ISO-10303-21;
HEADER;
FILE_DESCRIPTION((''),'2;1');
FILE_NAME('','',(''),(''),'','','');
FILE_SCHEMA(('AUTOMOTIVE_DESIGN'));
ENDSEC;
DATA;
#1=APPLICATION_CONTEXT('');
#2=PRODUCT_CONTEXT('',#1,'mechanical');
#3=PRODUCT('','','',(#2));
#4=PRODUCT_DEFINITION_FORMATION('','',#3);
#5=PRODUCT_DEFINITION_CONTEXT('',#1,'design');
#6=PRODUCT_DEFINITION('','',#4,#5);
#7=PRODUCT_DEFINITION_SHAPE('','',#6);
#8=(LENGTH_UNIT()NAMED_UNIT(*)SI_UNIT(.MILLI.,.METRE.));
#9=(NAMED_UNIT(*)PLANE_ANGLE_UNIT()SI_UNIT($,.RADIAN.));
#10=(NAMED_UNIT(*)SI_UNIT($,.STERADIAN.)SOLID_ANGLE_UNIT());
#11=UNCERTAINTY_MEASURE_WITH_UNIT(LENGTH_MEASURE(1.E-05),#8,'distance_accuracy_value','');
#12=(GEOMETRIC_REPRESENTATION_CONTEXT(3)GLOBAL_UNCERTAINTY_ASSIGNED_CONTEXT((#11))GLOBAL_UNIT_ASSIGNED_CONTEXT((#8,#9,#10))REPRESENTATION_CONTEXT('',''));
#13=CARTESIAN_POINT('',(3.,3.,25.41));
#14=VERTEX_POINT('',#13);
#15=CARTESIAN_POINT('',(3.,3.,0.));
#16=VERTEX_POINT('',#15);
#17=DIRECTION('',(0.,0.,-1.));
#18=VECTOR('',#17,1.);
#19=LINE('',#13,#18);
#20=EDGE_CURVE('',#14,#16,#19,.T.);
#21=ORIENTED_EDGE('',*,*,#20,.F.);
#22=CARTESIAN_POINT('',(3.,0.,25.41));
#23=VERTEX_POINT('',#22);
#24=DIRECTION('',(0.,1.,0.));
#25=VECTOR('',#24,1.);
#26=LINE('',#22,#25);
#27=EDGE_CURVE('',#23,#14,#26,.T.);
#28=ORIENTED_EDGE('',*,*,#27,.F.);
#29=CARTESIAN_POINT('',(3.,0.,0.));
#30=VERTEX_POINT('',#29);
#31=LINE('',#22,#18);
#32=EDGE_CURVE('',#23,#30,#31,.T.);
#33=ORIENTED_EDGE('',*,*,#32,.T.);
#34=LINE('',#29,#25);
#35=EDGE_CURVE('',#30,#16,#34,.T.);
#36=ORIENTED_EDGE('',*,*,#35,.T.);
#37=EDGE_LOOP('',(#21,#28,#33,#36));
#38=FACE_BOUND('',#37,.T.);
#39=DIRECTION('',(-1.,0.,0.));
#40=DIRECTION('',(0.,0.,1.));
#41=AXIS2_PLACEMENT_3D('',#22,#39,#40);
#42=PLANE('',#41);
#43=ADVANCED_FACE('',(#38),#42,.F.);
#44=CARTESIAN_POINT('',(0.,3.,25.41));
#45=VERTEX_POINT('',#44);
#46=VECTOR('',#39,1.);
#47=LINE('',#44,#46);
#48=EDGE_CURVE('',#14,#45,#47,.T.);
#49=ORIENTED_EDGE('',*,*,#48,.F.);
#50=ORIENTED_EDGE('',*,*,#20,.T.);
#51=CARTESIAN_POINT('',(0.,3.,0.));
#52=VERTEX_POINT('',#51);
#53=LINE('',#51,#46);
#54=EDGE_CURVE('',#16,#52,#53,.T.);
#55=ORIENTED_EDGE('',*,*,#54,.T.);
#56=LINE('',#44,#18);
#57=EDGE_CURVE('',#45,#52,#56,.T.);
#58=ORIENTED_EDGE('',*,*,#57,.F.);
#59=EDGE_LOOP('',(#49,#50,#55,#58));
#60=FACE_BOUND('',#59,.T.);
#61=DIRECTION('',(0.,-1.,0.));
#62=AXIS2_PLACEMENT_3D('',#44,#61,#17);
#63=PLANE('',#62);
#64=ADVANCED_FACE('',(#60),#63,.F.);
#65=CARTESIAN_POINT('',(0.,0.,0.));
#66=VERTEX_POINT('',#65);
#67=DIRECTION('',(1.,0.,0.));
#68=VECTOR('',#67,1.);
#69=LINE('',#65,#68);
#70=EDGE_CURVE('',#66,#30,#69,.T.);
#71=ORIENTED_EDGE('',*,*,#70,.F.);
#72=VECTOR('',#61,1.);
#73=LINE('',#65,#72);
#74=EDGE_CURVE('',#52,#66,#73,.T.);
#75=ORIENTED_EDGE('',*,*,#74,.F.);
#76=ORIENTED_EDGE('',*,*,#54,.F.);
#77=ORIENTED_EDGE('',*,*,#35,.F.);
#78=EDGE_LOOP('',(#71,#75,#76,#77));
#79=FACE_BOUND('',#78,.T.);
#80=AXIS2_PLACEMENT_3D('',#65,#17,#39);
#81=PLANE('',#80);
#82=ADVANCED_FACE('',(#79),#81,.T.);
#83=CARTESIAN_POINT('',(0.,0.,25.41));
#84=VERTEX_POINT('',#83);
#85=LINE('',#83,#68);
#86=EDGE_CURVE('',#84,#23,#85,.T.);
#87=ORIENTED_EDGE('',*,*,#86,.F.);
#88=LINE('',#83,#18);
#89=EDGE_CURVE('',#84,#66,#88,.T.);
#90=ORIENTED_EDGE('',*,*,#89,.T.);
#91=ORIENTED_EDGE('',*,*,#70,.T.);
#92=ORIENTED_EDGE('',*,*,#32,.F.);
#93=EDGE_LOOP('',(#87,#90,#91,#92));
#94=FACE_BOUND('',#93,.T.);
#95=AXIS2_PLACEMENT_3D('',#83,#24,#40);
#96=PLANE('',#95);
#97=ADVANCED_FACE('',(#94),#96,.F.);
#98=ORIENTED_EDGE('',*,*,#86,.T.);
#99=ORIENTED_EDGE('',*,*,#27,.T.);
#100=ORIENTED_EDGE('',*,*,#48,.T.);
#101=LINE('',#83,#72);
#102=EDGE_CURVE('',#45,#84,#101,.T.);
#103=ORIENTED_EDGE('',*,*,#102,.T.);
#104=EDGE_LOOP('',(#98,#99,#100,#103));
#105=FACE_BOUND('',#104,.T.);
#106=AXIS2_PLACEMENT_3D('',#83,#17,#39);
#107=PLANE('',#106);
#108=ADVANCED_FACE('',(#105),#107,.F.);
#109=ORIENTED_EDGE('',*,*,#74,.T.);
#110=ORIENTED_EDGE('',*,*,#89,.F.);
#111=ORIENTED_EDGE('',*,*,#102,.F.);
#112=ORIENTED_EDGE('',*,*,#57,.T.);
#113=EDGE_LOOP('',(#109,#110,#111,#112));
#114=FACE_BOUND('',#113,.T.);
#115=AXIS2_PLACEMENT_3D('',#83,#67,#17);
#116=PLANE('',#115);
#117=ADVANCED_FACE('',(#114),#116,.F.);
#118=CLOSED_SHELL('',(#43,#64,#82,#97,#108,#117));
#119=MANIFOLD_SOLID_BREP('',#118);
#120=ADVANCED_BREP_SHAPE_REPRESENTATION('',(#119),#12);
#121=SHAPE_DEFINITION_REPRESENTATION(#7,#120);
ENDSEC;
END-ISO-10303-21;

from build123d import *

# Parameters (mm, degrees)
SKETCH2_W           = 3
SKETCH2_H           = 3
BOSS_EXTRUDE1_DEPTH = 25.41


with BuildPart() as part:
    # Sketch2 → Boss-Extrude1 (new body)
    with BuildSketch(Plane.XY):
        with Locations((1.5, 1.5)):
            Rectangle(SKETCH2_W, SKETCH2_H)
    extrude(amount=BOSS_EXTRUDE1_DEPTH)


solid = part.part
